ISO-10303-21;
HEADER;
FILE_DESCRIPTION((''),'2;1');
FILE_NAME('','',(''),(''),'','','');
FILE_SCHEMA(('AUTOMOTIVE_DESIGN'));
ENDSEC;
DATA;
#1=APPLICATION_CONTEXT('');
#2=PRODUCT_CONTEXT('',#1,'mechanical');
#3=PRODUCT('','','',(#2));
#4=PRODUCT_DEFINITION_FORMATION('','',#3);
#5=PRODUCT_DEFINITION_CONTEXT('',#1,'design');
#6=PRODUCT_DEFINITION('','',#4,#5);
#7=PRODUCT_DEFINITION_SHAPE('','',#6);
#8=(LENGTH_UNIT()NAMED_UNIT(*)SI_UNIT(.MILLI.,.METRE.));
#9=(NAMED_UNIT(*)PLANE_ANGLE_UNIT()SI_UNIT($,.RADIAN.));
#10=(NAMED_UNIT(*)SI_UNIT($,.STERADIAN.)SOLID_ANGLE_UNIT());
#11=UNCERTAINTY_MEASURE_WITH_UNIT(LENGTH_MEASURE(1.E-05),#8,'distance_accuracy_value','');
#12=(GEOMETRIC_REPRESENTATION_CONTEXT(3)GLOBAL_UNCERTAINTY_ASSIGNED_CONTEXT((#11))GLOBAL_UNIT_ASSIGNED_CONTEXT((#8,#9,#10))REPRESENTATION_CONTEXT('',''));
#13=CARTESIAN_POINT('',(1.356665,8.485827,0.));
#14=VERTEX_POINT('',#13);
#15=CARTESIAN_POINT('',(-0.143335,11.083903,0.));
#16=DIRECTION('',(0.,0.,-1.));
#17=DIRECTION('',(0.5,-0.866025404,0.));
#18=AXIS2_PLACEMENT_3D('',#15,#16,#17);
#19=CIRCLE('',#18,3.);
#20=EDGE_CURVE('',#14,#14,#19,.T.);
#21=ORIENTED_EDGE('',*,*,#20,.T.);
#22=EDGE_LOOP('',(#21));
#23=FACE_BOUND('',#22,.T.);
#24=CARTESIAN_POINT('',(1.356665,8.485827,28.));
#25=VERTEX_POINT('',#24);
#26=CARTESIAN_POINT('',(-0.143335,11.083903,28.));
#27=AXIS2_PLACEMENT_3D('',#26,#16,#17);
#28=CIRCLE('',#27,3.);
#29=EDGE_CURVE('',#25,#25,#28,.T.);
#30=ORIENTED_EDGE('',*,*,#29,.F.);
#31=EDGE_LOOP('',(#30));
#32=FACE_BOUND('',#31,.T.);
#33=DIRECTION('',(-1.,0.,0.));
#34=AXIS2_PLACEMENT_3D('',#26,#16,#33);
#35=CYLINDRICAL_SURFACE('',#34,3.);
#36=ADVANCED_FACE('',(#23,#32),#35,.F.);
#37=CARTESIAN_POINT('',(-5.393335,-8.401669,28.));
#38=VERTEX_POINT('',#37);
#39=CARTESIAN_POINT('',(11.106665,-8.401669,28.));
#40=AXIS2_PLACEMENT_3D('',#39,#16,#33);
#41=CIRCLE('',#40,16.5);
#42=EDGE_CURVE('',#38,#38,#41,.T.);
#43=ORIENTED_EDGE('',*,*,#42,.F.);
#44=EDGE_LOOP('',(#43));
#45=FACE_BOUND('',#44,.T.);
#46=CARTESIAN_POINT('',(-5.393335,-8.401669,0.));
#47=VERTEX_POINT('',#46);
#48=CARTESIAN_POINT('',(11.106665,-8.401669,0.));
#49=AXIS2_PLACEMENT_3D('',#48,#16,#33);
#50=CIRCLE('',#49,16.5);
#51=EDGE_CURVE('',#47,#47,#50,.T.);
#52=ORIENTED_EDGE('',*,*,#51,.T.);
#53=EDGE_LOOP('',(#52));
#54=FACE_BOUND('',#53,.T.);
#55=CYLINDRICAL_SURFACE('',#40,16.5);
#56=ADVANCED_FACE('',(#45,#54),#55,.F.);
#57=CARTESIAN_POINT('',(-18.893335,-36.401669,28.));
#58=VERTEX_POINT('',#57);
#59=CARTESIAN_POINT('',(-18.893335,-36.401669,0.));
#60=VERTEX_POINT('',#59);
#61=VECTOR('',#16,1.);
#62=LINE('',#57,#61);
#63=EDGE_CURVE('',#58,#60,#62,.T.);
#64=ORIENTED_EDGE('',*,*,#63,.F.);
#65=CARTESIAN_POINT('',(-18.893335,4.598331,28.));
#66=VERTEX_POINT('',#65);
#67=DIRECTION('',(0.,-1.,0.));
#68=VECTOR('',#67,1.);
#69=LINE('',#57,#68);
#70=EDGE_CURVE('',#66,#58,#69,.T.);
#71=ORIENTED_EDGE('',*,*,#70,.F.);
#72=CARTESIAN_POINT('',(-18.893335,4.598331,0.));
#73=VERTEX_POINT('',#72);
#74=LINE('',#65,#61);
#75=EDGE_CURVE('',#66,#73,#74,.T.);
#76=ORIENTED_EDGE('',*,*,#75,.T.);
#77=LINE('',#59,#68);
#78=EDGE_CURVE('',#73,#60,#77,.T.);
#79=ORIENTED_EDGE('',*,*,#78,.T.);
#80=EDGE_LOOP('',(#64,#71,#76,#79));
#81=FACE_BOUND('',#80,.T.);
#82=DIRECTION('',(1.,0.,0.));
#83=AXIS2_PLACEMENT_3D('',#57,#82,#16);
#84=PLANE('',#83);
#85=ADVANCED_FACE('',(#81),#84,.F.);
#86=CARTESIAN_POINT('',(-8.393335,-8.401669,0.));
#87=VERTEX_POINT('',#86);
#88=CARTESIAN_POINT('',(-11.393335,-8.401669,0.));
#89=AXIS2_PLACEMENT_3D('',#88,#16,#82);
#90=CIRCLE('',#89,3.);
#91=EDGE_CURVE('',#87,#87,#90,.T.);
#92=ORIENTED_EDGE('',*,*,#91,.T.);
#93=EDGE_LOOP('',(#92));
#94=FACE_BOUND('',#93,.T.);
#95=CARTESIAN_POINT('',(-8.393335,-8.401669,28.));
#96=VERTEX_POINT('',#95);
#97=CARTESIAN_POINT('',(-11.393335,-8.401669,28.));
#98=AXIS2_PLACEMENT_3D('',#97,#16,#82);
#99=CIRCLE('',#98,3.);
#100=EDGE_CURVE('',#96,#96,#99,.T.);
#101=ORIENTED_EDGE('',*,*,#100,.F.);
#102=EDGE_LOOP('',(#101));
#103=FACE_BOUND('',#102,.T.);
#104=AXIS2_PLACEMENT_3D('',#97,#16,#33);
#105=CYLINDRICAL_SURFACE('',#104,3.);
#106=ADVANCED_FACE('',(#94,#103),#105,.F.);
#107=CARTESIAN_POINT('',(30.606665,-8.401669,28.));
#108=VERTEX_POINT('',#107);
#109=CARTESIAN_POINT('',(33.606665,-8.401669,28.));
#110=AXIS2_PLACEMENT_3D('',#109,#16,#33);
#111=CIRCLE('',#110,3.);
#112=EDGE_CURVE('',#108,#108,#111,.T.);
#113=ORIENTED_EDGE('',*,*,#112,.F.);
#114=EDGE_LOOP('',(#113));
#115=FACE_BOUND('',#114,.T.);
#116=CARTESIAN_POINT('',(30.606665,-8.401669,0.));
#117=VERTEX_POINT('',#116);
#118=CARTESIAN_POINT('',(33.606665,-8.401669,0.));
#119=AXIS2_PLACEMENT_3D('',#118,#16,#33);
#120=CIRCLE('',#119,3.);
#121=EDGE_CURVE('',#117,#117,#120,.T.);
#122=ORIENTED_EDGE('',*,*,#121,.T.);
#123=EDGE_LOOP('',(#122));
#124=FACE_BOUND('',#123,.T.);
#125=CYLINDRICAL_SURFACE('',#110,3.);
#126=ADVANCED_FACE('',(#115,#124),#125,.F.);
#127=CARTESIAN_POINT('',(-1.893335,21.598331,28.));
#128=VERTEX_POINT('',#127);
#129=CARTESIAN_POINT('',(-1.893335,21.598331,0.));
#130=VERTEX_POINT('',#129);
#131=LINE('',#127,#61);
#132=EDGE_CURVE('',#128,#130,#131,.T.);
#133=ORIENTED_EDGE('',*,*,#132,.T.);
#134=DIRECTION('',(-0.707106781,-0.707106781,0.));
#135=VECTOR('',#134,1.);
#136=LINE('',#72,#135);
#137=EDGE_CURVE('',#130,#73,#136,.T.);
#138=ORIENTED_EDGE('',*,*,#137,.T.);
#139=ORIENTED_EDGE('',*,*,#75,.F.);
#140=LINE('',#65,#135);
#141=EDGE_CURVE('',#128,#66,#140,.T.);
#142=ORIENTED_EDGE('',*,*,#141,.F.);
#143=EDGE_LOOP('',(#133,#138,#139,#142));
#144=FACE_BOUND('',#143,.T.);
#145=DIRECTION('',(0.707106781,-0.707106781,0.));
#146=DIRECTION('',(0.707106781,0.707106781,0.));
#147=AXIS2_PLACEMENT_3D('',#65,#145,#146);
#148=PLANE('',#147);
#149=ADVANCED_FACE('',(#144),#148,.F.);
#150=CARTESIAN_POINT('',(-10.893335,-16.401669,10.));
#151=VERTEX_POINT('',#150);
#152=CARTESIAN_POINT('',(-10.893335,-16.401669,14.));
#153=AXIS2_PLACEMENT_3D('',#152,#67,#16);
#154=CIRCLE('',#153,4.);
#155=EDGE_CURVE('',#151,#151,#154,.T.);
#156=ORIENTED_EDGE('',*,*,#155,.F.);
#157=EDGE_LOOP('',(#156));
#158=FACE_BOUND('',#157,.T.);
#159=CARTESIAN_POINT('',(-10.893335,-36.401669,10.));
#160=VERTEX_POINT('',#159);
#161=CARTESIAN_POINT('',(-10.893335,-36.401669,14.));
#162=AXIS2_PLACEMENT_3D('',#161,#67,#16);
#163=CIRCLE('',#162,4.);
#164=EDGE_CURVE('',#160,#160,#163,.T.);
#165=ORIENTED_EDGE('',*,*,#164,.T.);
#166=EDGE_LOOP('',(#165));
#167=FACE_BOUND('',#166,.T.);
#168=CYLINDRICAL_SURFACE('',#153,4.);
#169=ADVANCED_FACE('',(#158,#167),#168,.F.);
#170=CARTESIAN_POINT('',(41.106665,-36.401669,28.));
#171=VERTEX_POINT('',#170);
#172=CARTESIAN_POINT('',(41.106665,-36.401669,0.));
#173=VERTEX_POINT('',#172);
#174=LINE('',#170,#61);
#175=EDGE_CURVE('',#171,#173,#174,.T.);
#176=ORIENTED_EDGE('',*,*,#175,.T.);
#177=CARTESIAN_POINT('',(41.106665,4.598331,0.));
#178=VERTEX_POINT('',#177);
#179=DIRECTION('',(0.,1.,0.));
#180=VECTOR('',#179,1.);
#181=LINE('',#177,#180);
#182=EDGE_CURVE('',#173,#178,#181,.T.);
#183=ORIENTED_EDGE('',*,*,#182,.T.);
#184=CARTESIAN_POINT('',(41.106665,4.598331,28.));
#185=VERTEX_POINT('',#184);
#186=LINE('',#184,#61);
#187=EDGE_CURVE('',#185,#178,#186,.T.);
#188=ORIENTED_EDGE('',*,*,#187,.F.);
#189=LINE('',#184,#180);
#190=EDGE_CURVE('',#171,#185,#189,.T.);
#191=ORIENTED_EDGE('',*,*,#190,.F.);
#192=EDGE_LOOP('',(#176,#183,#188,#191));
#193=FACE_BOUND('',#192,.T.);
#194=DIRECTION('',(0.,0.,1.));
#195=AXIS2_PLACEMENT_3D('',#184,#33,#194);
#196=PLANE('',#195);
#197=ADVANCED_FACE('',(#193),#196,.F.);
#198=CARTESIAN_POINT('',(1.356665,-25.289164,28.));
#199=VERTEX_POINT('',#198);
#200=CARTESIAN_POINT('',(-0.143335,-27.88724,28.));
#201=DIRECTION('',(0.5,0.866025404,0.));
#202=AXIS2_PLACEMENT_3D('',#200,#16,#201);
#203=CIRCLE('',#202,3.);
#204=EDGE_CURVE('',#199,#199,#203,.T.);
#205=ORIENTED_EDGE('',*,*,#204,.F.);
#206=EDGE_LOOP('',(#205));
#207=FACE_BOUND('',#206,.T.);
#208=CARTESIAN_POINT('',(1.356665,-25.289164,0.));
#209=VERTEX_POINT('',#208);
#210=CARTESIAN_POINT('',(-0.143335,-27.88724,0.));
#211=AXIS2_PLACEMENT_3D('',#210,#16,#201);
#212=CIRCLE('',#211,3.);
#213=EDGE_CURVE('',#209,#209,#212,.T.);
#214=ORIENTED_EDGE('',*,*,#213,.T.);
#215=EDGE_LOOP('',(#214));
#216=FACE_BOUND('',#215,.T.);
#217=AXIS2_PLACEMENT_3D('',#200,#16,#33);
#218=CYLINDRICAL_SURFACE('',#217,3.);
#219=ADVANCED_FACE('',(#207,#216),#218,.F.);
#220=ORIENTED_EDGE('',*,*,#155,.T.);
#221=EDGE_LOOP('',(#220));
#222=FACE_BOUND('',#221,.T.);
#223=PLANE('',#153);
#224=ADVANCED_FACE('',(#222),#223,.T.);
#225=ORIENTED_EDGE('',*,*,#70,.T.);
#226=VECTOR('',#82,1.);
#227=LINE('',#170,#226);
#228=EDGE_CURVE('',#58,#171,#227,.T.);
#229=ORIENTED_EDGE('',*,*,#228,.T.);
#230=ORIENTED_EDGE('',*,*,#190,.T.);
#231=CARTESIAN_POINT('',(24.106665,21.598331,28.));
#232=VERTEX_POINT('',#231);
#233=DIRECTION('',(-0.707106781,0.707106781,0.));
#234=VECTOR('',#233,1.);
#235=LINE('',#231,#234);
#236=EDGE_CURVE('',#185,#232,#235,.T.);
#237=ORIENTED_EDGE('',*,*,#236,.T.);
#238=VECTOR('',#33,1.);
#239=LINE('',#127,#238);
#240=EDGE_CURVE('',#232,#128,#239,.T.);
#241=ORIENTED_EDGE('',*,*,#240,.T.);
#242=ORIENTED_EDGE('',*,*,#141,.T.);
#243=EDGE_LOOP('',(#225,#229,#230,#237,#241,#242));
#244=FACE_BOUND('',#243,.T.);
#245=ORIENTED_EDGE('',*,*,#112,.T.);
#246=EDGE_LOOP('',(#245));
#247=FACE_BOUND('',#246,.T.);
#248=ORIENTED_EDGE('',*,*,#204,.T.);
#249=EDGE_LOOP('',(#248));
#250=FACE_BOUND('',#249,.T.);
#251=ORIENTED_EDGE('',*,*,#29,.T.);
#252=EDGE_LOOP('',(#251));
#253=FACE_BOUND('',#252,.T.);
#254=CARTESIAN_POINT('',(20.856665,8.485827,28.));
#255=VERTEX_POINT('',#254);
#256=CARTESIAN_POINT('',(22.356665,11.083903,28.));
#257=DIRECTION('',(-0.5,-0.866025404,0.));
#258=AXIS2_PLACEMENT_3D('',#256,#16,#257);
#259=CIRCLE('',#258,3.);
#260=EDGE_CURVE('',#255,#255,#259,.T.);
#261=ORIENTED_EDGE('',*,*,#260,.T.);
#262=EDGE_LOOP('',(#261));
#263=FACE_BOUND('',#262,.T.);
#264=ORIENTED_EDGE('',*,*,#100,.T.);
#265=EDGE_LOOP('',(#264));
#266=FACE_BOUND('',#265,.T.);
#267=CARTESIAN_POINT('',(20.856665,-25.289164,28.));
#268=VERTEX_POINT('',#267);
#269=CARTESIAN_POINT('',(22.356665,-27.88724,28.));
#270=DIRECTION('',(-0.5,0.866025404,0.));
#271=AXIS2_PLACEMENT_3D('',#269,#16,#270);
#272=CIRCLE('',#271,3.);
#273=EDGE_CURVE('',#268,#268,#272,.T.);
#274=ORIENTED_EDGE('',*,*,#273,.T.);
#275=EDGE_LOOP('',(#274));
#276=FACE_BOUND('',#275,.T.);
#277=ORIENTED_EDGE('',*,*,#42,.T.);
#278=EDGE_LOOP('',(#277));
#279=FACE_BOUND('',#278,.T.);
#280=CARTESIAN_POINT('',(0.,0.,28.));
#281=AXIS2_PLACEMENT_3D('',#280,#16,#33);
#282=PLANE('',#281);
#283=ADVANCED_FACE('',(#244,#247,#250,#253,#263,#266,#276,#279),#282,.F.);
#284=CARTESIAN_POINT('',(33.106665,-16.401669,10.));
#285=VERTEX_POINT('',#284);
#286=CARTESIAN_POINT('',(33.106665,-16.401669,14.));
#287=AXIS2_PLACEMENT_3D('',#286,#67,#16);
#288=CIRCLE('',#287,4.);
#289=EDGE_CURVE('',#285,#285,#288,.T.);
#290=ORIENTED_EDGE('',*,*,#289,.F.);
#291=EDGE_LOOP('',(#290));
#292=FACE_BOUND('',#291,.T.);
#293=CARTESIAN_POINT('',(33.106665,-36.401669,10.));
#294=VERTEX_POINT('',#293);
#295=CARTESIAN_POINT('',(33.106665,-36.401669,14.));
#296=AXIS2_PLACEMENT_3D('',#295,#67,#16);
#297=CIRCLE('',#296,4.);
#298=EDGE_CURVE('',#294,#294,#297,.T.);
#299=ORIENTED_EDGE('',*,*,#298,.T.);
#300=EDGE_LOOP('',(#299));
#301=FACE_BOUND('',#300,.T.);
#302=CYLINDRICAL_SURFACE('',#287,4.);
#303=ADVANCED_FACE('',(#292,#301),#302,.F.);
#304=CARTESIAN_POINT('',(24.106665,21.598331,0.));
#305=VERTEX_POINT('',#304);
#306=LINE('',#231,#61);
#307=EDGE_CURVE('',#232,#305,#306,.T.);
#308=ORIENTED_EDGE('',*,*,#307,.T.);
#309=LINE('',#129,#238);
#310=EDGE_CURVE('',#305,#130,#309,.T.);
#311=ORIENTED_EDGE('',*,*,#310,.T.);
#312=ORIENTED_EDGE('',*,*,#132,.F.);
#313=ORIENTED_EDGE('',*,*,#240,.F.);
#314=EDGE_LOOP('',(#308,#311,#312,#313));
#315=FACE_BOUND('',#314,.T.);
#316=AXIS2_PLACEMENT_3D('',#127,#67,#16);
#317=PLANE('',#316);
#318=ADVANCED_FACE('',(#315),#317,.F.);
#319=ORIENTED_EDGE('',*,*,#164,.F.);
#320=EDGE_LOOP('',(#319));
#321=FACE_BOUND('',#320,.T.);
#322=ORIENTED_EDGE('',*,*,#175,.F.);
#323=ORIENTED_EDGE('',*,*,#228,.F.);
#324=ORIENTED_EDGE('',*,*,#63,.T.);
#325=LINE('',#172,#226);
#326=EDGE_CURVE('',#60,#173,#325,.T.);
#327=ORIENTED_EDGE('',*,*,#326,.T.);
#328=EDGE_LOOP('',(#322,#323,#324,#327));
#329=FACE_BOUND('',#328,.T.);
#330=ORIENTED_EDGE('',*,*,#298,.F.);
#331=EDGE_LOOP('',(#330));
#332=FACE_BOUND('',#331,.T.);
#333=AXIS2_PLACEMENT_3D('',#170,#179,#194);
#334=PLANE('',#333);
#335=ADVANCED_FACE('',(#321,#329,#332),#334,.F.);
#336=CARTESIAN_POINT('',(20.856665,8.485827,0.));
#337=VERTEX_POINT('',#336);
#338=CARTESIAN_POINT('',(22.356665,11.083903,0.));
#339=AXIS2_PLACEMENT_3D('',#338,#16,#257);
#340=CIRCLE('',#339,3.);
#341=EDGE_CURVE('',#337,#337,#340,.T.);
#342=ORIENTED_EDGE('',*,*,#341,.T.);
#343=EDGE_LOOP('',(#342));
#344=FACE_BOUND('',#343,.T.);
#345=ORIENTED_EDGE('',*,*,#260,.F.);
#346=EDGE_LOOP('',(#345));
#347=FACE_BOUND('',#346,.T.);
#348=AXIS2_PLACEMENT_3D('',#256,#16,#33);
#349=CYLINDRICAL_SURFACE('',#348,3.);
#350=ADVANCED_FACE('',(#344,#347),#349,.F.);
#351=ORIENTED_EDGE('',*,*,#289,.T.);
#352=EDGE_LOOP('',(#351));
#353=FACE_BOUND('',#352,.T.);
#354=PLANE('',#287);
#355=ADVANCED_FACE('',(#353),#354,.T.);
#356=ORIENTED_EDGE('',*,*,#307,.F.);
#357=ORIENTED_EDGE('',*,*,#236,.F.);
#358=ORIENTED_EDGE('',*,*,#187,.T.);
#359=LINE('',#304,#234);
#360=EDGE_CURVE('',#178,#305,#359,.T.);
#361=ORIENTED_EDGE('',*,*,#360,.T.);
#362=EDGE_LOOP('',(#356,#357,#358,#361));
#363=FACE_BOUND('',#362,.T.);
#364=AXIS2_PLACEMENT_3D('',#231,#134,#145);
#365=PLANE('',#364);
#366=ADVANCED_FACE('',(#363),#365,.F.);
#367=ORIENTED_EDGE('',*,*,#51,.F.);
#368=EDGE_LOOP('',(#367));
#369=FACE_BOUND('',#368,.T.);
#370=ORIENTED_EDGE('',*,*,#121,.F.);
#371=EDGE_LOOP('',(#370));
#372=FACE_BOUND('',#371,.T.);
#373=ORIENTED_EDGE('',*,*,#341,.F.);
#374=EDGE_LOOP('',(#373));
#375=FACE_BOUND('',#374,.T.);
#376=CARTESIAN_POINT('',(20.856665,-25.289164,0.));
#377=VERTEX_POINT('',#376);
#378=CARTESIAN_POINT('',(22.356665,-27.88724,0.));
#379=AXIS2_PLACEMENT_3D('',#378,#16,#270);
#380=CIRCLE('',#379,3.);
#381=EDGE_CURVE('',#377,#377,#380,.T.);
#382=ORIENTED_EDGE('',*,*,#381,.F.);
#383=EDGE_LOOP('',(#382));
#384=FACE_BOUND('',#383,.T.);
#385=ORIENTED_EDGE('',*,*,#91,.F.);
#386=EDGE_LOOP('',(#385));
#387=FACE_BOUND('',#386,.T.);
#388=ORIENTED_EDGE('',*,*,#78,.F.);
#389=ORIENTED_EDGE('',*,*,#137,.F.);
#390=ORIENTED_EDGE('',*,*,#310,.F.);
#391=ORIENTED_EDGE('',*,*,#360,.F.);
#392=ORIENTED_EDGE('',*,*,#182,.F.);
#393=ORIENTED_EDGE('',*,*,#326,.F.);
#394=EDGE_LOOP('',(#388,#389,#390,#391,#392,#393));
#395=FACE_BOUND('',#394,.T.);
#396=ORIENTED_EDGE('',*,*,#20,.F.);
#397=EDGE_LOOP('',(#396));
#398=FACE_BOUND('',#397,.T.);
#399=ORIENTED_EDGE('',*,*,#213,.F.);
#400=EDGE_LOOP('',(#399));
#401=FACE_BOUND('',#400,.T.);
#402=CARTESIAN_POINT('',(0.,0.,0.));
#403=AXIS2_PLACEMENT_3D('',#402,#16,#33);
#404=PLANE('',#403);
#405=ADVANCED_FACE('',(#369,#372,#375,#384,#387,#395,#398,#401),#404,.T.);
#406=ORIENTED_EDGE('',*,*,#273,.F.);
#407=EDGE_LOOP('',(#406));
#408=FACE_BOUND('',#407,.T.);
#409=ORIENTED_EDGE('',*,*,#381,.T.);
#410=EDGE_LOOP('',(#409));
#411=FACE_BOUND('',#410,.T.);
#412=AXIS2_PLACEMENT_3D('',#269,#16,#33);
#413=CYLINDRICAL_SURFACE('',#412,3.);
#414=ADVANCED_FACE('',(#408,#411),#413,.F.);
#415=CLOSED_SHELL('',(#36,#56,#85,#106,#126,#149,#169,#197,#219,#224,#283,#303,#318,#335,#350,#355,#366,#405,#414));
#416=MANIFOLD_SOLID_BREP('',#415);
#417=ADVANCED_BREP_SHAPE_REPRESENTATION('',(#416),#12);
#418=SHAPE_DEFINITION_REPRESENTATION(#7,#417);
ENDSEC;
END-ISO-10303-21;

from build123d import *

# Parameters (mm, degrees)
DODANIE_WYCI_GNI_CIE1_DEPTH = 28
SZKIC2_R                    = 16.5
WYTNIJ_WYCI_GNI_CIE1_DEPTH  = 28
SZKIC3_R                    = 3
WYTNIJ_WYCI_GNI_CIE2_DEPTH  = 28
SZYK_KO_OWY1_COUNT          = 6
SZKIC4_R                    = 4
WYTNIJ_WYCI_GNI_CIE3_DEPTH  = 20


with BuildPart() as part:
    # Szkic1 → Dodanie-wyciągnięcie1 (new body)
    with BuildSketch(Plane.XY):
        Polygon((-18.893335163, -36.401668679), (-18.893335163, 4.598331321), (-1.893335163, 21.598331321), (24.106664837, 21.598331321), (41.106664837, 4.598331321), (41.106664837, -36.401668679), align=None)
    extrude(amount=DODANIE_WYCI_GNI_CIE1_DEPTH)

    # Szkic2 → Wytnij-wyciągnięcie1 (cut)
    with BuildSketch(Plane(origin=(0, 0, 0), x_dir=(-1, 0, 0), z_dir=(0, 0, -1))):
        with Locations((-11.106664837, -8.401668679)):
            Circle(SZKIC2_R)
    extrude(amount=-WYTNIJ_WYCI_GNI_CIE1_DEPTH, mode=Mode.SUBTRACT)

    # Szkic3 → Wytnij-wyciągnięcie2 (cut)
    with BuildSketch(Plane(origin=(0, 0, 0), x_dir=(-1, 0, 0), z_dir=(0, 0, -1))):
        with Locations((-33.606664837, -8.401668679)):
            Circle(SZKIC3_R)
    wytnij_wyci_gni_cie2 = extrude(amount=-WYTNIJ_WYCI_GNI_CIE2_DEPTH, mode=Mode.SUBTRACT)

    # Szyk kołowy1: Wytnij-wyciągnięcie2 ×6 about axis
    szyk_ko_owy1_axis = Axis((11.106664837, -8.401668679, 0), (0, 0, 1))
    for i in range(1, SZYK_KO_OWY1_COUNT):
        add(wytnij_wyci_gni_cie2.rotate(szyk_ko_owy1_axis, i * 360 / SZYK_KO_OWY1_COUNT), mode=Mode.SUBTRACT)

    # Szkic4 → Wytnij-wyciągnięcie3 (cut)
    with BuildSketch(Plane.XZ.offset(36.401668679)):
        with Locations((-10.893335163, 14)):
            Circle(SZKIC4_R)
        with Locations((33.106664837, 14)):
            Circle(SZKIC4_R)
    extrude(amount=-WYTNIJ_WYCI_GNI_CIE3_DEPTH, mode=Mode.SUBTRACT)


solid = part.part
